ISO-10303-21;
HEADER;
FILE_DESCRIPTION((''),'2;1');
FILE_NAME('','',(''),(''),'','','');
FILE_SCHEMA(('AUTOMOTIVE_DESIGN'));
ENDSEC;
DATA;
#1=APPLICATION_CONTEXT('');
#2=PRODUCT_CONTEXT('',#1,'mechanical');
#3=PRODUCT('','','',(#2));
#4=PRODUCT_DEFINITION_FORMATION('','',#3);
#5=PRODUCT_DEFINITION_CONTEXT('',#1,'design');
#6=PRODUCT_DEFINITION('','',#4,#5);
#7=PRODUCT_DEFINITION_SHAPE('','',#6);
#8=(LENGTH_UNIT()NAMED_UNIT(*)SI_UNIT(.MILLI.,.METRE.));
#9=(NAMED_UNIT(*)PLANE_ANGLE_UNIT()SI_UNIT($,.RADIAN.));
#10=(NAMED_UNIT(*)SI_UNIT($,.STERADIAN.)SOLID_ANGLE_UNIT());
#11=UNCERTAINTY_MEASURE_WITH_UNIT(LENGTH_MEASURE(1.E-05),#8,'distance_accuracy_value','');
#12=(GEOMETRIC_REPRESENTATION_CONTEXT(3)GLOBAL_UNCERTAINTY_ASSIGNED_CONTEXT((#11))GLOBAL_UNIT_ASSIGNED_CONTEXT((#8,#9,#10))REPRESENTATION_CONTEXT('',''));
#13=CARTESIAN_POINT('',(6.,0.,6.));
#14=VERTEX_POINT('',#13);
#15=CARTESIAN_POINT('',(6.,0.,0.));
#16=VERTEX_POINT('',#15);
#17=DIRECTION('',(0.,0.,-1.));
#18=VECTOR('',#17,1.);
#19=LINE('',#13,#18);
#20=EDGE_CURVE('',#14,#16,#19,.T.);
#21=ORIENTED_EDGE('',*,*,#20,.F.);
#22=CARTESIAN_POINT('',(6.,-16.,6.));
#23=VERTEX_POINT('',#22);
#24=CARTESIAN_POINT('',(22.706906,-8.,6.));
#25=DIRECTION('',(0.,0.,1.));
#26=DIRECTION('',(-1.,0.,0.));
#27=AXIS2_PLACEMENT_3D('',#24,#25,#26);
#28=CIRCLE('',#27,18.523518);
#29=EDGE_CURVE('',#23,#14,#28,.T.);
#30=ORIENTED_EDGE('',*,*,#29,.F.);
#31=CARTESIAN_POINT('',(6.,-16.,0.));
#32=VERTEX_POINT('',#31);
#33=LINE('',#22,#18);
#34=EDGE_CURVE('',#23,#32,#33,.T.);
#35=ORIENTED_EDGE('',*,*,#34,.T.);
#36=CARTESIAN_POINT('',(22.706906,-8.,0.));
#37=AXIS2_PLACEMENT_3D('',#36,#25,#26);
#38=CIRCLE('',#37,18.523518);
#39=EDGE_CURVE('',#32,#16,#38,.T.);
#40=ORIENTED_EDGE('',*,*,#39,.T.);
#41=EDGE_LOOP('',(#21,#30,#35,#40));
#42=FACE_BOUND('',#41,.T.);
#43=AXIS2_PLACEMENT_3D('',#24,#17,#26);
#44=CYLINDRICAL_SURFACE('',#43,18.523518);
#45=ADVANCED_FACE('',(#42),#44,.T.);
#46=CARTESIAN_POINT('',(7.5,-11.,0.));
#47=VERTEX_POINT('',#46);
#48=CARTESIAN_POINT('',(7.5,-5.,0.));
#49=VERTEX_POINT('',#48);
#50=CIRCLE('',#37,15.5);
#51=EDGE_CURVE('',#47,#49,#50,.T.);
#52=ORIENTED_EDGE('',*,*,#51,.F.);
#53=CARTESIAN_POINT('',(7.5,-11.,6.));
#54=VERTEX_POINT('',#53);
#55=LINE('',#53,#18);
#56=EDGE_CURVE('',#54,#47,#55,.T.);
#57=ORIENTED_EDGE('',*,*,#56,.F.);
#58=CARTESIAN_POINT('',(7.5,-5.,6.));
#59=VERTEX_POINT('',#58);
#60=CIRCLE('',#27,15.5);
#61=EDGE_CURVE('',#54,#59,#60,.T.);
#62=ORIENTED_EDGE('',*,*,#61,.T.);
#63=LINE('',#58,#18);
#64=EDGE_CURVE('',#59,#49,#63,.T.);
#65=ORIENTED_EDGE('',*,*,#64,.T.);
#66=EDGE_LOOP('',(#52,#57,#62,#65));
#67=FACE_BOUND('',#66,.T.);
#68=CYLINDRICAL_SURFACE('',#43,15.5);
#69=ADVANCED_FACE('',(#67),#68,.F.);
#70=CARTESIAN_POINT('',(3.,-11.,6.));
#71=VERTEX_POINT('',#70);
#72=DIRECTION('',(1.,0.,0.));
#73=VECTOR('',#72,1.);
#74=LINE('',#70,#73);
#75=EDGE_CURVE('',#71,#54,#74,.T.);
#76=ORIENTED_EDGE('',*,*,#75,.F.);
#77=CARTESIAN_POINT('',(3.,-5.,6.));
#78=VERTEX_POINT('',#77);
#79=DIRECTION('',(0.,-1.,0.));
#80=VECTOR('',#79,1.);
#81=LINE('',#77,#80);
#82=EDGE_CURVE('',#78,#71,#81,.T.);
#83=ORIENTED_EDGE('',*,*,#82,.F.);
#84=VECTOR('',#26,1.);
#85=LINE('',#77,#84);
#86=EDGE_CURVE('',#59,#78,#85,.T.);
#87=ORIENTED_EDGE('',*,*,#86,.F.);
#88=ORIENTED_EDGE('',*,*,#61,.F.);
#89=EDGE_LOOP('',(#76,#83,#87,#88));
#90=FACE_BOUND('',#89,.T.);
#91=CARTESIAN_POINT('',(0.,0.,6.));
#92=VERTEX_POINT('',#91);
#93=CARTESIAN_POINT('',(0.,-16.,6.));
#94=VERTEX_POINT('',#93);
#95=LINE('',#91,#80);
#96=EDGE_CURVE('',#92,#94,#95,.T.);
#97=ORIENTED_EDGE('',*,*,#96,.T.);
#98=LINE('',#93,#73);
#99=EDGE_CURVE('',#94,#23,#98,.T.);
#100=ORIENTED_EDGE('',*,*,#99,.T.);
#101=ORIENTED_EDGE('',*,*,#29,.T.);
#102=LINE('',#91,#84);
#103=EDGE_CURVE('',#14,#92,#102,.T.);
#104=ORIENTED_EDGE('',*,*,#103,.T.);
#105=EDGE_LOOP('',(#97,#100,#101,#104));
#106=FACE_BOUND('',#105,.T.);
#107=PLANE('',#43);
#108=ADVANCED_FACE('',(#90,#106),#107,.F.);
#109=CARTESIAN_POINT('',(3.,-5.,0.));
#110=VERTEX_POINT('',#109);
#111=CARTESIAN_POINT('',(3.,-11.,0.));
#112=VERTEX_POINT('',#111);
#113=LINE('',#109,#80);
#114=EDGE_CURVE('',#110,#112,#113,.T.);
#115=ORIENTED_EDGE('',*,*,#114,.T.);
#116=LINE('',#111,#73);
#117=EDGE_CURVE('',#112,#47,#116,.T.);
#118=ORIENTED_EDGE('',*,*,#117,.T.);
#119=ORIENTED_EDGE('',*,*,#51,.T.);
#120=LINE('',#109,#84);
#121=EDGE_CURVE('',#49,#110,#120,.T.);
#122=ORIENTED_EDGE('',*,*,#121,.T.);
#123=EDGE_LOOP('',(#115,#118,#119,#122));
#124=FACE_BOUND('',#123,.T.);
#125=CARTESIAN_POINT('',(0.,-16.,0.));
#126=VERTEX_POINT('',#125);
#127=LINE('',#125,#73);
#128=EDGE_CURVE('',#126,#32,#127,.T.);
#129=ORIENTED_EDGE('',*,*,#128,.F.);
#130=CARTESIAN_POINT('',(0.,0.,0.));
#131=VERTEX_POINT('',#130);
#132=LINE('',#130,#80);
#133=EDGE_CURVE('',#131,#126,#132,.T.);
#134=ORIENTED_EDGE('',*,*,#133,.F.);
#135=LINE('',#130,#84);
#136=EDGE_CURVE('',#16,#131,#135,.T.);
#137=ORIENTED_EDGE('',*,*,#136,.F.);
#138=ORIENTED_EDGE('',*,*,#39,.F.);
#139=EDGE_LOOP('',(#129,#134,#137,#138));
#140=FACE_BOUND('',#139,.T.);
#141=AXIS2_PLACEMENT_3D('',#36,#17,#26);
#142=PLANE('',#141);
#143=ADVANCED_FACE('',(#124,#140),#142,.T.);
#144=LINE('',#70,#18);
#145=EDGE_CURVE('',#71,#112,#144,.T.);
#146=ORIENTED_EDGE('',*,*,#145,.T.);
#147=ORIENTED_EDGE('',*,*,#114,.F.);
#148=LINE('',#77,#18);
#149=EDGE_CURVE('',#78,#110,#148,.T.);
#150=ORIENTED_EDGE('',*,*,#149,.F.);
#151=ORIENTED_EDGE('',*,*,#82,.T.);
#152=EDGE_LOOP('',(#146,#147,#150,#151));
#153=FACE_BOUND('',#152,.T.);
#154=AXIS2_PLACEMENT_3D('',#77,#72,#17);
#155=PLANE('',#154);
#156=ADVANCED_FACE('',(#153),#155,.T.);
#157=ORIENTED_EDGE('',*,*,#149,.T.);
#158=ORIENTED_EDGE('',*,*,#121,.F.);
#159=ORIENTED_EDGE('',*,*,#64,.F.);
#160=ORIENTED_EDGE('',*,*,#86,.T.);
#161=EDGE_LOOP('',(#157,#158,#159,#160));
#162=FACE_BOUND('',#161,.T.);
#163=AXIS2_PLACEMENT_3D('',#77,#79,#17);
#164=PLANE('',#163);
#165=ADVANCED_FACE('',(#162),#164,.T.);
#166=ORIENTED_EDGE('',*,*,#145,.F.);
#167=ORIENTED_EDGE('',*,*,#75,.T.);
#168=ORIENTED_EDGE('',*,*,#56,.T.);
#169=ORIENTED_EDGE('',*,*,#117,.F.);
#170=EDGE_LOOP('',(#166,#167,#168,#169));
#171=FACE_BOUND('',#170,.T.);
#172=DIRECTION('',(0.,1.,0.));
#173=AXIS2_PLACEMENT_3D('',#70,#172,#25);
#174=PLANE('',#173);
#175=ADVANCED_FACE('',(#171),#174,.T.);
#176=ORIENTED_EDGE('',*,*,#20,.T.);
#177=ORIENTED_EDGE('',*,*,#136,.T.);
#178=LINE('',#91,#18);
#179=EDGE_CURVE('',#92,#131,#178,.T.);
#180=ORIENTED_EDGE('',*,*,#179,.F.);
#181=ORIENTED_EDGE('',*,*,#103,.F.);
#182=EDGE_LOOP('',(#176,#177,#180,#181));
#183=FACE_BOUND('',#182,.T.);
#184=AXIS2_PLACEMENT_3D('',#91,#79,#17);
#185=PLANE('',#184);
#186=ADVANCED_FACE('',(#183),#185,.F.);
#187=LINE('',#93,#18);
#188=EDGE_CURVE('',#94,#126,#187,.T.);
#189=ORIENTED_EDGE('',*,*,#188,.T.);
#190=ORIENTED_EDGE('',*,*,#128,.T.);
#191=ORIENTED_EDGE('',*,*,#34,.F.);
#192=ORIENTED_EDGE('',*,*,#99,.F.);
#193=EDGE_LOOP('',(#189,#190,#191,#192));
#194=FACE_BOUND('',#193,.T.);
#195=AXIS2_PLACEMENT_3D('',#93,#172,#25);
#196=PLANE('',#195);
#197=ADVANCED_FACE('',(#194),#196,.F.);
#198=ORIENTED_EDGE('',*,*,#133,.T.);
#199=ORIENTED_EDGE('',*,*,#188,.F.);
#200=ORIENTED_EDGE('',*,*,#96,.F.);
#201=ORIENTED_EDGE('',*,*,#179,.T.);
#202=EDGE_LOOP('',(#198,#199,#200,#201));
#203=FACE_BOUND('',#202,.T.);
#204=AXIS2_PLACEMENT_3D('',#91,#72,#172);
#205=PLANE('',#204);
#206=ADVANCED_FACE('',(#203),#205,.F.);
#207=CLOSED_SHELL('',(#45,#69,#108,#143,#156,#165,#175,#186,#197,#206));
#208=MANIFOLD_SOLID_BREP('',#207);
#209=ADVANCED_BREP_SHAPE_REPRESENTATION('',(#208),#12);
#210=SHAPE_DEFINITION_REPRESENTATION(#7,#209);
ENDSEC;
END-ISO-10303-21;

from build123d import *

# Parameters (mm, degrees)
BOSS_EXTRU_1_DEPTH = 6


with BuildPart() as part:
    # Esquisse1 → Boss.-Extru.1 (new body)
    with BuildSketch(Plane.XY):
        with BuildLine():
            Line((0, 0), (6, 0))
            ThreePointArc((6, 0), (41.230424323, -8), (6, -16))
            Line((6, -16), (0, -16))
            Line((0, -16), (0, 0))
        make_face()
        with BuildLine():
            Line((3, -5), (7.5, -5))
            ThreePointArc((7.5, -5), (38.206906326, -8), (7.5, -11))
            Line((7.5, -11), (3, -11))
            Line((3, -11), (3, -5))
        make_face(mode=Mode.SUBTRACT)
    extrude(amount=BOSS_EXTRU_1_DEPTH)


solid = part.part
